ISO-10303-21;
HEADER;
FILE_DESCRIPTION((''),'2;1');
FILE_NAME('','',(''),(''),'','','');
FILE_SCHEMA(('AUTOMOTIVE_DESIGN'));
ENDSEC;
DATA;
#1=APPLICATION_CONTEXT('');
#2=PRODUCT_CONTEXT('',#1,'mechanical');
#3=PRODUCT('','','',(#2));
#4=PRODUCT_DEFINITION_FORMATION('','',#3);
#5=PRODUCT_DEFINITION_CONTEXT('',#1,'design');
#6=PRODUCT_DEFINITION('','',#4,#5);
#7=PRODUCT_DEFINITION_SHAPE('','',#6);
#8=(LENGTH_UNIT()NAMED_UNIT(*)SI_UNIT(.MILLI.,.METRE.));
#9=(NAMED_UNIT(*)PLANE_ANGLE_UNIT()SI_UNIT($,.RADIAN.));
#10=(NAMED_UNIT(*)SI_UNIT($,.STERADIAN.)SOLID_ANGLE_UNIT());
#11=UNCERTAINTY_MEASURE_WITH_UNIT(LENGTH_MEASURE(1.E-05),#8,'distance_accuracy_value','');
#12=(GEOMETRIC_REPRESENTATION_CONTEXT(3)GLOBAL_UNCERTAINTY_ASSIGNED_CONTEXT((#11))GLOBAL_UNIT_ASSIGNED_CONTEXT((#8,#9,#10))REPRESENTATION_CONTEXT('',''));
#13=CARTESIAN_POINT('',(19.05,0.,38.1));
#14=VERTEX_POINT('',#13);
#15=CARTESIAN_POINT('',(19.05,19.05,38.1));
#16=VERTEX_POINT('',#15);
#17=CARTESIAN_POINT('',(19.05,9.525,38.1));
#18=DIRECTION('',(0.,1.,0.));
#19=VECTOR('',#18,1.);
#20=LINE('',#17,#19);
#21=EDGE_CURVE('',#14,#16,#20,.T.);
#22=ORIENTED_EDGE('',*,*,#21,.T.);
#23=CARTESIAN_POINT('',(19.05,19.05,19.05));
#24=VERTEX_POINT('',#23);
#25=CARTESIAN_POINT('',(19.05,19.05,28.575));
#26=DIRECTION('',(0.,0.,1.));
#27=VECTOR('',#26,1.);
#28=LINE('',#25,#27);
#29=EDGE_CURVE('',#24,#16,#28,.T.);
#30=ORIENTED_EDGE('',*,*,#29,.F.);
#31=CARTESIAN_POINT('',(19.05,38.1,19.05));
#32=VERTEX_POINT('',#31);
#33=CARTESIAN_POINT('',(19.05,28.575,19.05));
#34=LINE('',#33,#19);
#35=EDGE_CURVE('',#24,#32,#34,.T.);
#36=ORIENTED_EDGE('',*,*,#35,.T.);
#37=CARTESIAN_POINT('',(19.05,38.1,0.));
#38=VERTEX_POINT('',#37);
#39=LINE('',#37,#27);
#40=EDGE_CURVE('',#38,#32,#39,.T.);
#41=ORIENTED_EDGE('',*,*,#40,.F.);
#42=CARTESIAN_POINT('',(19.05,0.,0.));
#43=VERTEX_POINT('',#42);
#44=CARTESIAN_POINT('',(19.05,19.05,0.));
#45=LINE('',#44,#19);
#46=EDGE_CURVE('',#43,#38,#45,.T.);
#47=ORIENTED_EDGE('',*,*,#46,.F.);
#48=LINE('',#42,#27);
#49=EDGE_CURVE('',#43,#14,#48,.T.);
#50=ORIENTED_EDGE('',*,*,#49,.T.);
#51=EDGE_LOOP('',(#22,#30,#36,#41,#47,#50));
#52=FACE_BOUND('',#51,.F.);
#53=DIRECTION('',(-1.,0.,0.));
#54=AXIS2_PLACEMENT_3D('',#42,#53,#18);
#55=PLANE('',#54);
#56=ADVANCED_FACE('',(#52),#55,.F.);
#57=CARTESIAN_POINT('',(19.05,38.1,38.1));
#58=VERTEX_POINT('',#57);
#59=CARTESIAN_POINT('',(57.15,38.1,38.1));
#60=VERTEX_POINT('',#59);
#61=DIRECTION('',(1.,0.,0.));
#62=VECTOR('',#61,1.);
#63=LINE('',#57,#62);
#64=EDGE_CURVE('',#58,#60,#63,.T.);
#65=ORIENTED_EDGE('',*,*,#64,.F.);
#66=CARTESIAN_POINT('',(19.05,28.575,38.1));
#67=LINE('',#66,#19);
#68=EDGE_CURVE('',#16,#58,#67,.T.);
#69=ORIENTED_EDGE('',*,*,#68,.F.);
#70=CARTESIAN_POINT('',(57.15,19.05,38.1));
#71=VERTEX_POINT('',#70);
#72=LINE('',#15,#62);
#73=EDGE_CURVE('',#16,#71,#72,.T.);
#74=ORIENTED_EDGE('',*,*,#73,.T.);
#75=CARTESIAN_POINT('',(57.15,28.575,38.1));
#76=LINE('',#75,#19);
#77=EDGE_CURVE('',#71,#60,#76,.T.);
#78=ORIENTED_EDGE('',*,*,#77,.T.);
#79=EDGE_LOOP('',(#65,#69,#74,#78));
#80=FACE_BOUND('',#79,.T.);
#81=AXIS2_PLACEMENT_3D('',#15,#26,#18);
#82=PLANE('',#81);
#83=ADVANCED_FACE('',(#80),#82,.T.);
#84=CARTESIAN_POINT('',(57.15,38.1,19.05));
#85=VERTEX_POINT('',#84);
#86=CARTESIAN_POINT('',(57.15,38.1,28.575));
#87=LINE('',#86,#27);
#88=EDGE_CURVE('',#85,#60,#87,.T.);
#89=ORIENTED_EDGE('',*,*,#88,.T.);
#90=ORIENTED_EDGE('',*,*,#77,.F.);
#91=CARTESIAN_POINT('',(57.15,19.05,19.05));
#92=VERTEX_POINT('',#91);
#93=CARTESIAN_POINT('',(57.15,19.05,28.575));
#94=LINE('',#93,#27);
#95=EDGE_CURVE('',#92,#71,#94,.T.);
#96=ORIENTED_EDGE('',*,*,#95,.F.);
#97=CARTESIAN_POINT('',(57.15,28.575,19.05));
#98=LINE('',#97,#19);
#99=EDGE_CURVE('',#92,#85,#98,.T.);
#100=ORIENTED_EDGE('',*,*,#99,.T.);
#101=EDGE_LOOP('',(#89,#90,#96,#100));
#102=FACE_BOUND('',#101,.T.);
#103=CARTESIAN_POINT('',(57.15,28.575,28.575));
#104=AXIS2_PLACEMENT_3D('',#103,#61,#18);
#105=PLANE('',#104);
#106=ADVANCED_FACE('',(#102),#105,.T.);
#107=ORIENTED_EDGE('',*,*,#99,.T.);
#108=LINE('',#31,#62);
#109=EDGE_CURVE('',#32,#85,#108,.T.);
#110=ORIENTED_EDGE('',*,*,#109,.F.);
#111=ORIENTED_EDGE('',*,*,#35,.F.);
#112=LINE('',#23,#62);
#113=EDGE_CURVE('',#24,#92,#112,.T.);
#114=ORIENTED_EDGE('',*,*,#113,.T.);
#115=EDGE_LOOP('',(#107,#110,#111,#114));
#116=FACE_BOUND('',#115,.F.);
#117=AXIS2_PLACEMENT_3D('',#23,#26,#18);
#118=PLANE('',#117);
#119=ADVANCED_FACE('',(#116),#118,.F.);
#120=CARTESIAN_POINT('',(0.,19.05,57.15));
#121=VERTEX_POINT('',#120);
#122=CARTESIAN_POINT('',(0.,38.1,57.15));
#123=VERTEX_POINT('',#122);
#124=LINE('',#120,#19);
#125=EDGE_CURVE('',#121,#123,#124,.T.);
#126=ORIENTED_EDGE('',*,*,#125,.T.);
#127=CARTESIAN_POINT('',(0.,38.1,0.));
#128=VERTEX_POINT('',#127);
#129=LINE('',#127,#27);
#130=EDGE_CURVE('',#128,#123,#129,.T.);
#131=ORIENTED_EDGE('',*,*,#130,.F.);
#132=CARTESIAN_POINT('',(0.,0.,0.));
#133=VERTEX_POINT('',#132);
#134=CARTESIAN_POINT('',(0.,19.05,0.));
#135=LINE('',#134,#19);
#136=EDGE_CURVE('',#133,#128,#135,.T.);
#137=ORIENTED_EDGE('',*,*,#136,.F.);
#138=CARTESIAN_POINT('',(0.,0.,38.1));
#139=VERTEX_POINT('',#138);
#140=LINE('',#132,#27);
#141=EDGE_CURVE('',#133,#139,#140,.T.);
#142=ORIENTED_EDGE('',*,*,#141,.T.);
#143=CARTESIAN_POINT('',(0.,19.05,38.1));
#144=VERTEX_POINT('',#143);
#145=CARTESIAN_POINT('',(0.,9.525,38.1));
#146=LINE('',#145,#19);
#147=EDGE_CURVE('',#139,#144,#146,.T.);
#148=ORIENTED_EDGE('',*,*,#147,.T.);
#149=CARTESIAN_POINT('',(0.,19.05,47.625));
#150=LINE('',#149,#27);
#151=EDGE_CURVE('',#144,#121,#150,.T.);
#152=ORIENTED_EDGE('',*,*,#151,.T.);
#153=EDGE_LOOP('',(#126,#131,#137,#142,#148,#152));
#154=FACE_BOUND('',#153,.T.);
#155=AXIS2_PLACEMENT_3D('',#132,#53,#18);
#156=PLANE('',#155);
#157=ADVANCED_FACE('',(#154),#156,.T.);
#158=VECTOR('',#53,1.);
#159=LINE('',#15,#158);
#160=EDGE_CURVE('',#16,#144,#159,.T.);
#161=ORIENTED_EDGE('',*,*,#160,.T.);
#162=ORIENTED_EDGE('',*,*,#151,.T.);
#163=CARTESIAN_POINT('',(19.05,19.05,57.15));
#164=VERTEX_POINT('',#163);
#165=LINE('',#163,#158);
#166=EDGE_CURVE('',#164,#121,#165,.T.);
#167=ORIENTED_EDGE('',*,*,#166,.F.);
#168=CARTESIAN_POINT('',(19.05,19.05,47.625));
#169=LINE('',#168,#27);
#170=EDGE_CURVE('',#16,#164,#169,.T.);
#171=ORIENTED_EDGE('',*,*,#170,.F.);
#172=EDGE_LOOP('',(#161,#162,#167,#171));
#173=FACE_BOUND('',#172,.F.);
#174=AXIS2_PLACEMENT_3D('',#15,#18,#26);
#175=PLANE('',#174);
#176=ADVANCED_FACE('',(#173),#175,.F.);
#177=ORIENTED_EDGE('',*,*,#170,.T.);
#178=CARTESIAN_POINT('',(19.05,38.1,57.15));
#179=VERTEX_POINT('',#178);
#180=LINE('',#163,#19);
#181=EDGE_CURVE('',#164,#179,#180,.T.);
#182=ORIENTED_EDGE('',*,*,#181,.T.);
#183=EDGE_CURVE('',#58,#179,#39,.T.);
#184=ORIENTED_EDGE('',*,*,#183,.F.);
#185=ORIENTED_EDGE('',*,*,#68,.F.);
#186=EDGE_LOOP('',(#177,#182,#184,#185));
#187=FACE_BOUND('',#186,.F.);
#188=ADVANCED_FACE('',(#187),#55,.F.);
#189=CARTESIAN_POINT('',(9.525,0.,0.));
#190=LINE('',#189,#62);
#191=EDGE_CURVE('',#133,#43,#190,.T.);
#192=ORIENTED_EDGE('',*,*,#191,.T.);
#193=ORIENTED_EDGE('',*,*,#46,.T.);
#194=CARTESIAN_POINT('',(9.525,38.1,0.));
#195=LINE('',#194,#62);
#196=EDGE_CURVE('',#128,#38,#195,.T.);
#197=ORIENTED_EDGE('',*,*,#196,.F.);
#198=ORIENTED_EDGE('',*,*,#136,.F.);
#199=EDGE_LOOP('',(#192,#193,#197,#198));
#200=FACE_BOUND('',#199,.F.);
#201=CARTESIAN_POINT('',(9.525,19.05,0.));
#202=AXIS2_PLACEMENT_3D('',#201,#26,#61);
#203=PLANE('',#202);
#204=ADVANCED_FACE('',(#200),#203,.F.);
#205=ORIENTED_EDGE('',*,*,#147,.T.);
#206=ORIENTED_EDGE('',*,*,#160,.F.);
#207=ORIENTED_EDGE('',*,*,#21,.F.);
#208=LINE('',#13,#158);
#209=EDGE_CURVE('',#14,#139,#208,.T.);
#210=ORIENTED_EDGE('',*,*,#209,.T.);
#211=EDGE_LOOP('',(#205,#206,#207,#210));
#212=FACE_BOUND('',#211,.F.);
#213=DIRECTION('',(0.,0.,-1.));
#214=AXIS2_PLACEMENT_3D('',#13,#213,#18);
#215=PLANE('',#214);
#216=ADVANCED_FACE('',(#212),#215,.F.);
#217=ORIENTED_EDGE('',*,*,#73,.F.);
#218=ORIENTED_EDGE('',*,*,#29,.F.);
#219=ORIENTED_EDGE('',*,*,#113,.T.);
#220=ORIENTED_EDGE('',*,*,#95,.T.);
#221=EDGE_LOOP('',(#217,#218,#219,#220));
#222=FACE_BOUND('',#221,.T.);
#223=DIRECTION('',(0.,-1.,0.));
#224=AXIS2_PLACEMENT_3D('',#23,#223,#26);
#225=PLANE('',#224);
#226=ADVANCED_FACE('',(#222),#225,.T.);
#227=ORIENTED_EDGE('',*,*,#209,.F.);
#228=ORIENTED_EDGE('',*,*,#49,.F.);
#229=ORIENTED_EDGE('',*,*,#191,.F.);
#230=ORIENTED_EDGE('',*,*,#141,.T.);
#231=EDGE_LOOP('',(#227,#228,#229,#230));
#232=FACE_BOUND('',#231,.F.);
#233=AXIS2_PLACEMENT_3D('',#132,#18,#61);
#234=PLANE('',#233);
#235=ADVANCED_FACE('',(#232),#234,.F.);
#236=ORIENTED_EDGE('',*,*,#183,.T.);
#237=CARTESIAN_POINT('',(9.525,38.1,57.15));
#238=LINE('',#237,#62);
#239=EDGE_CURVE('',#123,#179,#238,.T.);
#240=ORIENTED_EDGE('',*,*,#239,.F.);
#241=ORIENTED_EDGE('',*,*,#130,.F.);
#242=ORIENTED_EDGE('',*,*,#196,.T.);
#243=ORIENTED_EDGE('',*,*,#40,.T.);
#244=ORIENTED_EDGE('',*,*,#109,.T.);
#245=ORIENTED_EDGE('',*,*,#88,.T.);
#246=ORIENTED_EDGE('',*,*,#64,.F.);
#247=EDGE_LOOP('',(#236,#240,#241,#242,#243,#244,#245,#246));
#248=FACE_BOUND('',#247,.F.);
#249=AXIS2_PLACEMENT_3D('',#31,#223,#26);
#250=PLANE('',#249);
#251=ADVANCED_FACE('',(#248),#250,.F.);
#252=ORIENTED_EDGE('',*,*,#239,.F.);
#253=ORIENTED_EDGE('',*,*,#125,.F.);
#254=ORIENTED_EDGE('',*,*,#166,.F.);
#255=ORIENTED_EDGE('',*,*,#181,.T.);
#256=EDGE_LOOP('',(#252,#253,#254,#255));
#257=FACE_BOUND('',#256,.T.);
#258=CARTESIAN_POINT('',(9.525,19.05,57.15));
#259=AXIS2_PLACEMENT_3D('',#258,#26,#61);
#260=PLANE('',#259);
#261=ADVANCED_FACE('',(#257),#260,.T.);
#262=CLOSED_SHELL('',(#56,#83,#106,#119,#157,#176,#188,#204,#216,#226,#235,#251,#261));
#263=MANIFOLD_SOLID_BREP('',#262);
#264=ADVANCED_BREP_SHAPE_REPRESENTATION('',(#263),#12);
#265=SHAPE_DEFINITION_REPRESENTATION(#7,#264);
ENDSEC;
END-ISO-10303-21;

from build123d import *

# Parameters (mm, degrees)
F0_W     = 19.05
F0_H     = 38.1
F1_DEPTH = 57.15
F2_W     = 19.05
F2_H     = 19.05
F3_DEPTH = 19.05
F4_W     = 19.05
F4_H     = 19.05
F5_DEPTH = 38.1


with BuildPart() as f1:
    # F0 (on Top) → F1 (new body)
    with BuildSketch(Plane.XY):
        with Locations((9.525, 19.05)):
            Rectangle(F0_W, F0_H)
    extrude(amount=F1_DEPTH)

    # F2 (on face) → F3 (cut)
    with BuildSketch(Plane.YZ.offset(19.05)):
        with Locations((9.525, 47.625)):
            Rectangle(F2_W, F2_H)
    extrude(amount=-F3_DEPTH, mode=Mode.SUBTRACT)

    # F4 (on face) → F5 (join)
    with BuildSketch(Plane.YZ.offset(19.05)):
        with Locations((28.575, 28.575)):
            Rectangle(F4_W, F4_H)
    extrude(amount=F5_DEPTH)


solid = f1.part
